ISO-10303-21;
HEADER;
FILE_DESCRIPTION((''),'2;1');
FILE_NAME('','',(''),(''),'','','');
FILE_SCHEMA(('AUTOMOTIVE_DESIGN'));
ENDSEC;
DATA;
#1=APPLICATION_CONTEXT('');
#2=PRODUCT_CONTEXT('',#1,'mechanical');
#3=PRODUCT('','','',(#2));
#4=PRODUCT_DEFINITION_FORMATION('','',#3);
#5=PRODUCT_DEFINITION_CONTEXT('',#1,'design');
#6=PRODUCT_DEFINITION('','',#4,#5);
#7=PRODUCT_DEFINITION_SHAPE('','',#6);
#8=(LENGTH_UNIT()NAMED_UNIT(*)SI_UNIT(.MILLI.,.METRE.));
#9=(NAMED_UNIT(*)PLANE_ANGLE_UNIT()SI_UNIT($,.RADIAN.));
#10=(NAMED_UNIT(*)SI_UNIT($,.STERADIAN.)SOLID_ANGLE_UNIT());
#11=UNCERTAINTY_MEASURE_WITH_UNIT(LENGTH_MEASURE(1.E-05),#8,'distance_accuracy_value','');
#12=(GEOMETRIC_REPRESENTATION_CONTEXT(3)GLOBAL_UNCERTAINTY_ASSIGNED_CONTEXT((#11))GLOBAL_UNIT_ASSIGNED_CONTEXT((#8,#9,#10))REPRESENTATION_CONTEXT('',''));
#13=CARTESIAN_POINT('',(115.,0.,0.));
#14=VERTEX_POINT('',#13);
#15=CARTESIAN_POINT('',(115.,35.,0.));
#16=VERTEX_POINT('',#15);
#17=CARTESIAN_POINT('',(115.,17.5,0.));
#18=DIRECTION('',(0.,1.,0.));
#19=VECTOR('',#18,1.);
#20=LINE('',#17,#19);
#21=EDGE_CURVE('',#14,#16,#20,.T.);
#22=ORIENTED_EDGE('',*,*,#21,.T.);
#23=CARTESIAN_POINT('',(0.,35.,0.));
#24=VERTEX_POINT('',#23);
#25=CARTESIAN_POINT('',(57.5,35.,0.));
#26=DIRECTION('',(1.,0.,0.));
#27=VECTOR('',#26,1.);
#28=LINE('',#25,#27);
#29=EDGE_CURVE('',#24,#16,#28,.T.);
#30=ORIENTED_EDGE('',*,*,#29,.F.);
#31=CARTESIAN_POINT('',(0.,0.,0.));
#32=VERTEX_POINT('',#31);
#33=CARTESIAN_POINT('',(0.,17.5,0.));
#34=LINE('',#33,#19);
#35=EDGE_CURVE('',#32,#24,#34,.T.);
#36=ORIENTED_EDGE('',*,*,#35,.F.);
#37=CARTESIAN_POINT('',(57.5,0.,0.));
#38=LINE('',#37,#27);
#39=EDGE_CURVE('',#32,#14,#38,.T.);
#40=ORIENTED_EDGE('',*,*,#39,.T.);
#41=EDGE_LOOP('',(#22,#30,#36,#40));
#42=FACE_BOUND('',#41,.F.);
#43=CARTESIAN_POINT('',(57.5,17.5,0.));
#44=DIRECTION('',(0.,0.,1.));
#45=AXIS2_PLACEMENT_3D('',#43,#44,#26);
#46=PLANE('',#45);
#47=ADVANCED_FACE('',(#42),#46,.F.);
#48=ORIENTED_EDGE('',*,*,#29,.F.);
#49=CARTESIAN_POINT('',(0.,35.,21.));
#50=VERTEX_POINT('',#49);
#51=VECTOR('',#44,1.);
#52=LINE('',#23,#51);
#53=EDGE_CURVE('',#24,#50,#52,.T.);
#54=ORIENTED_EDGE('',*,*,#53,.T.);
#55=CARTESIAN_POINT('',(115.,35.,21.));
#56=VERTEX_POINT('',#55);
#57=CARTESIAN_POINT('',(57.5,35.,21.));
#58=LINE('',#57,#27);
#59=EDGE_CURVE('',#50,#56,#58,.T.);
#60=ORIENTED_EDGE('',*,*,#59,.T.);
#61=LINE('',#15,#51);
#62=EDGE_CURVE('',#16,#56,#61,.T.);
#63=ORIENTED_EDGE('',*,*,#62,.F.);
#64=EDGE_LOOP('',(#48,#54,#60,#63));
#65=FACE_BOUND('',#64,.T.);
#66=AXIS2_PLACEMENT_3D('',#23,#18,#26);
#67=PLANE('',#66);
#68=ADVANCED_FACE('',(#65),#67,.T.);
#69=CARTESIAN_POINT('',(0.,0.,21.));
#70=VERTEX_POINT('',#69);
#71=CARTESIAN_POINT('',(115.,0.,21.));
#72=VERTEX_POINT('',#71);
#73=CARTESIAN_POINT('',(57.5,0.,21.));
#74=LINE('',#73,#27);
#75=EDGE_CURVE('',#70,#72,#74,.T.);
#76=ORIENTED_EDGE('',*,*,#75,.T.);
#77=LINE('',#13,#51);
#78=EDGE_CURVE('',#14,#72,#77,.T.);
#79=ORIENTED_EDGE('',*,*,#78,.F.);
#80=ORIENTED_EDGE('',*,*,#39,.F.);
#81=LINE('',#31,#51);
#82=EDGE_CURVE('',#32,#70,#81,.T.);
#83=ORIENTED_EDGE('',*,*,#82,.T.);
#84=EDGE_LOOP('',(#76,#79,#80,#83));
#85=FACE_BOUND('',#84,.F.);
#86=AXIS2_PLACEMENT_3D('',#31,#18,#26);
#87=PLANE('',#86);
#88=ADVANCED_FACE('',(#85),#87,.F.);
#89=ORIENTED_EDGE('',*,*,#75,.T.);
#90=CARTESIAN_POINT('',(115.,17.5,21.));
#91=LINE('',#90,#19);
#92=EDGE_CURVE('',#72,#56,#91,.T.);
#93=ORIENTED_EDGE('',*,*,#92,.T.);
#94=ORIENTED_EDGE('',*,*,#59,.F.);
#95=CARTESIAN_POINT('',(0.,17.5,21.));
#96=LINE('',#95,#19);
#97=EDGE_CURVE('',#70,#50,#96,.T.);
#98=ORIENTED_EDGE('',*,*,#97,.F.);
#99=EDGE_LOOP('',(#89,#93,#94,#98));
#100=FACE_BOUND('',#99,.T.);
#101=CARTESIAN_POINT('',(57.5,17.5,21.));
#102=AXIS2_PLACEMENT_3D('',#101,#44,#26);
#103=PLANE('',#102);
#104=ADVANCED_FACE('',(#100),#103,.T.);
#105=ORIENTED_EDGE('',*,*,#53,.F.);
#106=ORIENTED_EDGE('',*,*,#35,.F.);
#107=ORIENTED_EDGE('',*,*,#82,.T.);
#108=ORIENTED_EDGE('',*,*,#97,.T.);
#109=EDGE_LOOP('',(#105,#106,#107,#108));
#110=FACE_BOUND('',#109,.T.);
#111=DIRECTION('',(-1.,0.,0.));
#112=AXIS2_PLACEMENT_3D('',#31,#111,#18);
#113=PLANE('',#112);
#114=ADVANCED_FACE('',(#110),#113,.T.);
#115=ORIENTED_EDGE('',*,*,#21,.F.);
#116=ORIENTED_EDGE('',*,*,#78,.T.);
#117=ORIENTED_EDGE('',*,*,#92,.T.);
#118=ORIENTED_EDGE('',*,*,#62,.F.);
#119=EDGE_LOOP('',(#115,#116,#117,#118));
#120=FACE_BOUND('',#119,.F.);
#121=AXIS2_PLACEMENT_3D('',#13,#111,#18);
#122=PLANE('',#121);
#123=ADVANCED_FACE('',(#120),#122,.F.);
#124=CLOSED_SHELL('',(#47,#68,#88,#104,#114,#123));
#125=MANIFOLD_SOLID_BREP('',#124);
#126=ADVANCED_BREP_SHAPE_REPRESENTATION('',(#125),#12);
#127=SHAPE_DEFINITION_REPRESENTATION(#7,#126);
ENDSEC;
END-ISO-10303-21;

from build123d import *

# Parameters (mm, degrees)
SKETCH_W  = 115
SKETCH_H  = 35
PAD_DEPTH = 21


with BuildPart() as part:
    # Sketch → Pad (new body)
    with BuildSketch(Plane.XY):
        with Locations((57.5, 17.5)):
            Rectangle(SKETCH_W, SKETCH_H)
    extrude(amount=PAD_DEPTH)


solid = part.part
